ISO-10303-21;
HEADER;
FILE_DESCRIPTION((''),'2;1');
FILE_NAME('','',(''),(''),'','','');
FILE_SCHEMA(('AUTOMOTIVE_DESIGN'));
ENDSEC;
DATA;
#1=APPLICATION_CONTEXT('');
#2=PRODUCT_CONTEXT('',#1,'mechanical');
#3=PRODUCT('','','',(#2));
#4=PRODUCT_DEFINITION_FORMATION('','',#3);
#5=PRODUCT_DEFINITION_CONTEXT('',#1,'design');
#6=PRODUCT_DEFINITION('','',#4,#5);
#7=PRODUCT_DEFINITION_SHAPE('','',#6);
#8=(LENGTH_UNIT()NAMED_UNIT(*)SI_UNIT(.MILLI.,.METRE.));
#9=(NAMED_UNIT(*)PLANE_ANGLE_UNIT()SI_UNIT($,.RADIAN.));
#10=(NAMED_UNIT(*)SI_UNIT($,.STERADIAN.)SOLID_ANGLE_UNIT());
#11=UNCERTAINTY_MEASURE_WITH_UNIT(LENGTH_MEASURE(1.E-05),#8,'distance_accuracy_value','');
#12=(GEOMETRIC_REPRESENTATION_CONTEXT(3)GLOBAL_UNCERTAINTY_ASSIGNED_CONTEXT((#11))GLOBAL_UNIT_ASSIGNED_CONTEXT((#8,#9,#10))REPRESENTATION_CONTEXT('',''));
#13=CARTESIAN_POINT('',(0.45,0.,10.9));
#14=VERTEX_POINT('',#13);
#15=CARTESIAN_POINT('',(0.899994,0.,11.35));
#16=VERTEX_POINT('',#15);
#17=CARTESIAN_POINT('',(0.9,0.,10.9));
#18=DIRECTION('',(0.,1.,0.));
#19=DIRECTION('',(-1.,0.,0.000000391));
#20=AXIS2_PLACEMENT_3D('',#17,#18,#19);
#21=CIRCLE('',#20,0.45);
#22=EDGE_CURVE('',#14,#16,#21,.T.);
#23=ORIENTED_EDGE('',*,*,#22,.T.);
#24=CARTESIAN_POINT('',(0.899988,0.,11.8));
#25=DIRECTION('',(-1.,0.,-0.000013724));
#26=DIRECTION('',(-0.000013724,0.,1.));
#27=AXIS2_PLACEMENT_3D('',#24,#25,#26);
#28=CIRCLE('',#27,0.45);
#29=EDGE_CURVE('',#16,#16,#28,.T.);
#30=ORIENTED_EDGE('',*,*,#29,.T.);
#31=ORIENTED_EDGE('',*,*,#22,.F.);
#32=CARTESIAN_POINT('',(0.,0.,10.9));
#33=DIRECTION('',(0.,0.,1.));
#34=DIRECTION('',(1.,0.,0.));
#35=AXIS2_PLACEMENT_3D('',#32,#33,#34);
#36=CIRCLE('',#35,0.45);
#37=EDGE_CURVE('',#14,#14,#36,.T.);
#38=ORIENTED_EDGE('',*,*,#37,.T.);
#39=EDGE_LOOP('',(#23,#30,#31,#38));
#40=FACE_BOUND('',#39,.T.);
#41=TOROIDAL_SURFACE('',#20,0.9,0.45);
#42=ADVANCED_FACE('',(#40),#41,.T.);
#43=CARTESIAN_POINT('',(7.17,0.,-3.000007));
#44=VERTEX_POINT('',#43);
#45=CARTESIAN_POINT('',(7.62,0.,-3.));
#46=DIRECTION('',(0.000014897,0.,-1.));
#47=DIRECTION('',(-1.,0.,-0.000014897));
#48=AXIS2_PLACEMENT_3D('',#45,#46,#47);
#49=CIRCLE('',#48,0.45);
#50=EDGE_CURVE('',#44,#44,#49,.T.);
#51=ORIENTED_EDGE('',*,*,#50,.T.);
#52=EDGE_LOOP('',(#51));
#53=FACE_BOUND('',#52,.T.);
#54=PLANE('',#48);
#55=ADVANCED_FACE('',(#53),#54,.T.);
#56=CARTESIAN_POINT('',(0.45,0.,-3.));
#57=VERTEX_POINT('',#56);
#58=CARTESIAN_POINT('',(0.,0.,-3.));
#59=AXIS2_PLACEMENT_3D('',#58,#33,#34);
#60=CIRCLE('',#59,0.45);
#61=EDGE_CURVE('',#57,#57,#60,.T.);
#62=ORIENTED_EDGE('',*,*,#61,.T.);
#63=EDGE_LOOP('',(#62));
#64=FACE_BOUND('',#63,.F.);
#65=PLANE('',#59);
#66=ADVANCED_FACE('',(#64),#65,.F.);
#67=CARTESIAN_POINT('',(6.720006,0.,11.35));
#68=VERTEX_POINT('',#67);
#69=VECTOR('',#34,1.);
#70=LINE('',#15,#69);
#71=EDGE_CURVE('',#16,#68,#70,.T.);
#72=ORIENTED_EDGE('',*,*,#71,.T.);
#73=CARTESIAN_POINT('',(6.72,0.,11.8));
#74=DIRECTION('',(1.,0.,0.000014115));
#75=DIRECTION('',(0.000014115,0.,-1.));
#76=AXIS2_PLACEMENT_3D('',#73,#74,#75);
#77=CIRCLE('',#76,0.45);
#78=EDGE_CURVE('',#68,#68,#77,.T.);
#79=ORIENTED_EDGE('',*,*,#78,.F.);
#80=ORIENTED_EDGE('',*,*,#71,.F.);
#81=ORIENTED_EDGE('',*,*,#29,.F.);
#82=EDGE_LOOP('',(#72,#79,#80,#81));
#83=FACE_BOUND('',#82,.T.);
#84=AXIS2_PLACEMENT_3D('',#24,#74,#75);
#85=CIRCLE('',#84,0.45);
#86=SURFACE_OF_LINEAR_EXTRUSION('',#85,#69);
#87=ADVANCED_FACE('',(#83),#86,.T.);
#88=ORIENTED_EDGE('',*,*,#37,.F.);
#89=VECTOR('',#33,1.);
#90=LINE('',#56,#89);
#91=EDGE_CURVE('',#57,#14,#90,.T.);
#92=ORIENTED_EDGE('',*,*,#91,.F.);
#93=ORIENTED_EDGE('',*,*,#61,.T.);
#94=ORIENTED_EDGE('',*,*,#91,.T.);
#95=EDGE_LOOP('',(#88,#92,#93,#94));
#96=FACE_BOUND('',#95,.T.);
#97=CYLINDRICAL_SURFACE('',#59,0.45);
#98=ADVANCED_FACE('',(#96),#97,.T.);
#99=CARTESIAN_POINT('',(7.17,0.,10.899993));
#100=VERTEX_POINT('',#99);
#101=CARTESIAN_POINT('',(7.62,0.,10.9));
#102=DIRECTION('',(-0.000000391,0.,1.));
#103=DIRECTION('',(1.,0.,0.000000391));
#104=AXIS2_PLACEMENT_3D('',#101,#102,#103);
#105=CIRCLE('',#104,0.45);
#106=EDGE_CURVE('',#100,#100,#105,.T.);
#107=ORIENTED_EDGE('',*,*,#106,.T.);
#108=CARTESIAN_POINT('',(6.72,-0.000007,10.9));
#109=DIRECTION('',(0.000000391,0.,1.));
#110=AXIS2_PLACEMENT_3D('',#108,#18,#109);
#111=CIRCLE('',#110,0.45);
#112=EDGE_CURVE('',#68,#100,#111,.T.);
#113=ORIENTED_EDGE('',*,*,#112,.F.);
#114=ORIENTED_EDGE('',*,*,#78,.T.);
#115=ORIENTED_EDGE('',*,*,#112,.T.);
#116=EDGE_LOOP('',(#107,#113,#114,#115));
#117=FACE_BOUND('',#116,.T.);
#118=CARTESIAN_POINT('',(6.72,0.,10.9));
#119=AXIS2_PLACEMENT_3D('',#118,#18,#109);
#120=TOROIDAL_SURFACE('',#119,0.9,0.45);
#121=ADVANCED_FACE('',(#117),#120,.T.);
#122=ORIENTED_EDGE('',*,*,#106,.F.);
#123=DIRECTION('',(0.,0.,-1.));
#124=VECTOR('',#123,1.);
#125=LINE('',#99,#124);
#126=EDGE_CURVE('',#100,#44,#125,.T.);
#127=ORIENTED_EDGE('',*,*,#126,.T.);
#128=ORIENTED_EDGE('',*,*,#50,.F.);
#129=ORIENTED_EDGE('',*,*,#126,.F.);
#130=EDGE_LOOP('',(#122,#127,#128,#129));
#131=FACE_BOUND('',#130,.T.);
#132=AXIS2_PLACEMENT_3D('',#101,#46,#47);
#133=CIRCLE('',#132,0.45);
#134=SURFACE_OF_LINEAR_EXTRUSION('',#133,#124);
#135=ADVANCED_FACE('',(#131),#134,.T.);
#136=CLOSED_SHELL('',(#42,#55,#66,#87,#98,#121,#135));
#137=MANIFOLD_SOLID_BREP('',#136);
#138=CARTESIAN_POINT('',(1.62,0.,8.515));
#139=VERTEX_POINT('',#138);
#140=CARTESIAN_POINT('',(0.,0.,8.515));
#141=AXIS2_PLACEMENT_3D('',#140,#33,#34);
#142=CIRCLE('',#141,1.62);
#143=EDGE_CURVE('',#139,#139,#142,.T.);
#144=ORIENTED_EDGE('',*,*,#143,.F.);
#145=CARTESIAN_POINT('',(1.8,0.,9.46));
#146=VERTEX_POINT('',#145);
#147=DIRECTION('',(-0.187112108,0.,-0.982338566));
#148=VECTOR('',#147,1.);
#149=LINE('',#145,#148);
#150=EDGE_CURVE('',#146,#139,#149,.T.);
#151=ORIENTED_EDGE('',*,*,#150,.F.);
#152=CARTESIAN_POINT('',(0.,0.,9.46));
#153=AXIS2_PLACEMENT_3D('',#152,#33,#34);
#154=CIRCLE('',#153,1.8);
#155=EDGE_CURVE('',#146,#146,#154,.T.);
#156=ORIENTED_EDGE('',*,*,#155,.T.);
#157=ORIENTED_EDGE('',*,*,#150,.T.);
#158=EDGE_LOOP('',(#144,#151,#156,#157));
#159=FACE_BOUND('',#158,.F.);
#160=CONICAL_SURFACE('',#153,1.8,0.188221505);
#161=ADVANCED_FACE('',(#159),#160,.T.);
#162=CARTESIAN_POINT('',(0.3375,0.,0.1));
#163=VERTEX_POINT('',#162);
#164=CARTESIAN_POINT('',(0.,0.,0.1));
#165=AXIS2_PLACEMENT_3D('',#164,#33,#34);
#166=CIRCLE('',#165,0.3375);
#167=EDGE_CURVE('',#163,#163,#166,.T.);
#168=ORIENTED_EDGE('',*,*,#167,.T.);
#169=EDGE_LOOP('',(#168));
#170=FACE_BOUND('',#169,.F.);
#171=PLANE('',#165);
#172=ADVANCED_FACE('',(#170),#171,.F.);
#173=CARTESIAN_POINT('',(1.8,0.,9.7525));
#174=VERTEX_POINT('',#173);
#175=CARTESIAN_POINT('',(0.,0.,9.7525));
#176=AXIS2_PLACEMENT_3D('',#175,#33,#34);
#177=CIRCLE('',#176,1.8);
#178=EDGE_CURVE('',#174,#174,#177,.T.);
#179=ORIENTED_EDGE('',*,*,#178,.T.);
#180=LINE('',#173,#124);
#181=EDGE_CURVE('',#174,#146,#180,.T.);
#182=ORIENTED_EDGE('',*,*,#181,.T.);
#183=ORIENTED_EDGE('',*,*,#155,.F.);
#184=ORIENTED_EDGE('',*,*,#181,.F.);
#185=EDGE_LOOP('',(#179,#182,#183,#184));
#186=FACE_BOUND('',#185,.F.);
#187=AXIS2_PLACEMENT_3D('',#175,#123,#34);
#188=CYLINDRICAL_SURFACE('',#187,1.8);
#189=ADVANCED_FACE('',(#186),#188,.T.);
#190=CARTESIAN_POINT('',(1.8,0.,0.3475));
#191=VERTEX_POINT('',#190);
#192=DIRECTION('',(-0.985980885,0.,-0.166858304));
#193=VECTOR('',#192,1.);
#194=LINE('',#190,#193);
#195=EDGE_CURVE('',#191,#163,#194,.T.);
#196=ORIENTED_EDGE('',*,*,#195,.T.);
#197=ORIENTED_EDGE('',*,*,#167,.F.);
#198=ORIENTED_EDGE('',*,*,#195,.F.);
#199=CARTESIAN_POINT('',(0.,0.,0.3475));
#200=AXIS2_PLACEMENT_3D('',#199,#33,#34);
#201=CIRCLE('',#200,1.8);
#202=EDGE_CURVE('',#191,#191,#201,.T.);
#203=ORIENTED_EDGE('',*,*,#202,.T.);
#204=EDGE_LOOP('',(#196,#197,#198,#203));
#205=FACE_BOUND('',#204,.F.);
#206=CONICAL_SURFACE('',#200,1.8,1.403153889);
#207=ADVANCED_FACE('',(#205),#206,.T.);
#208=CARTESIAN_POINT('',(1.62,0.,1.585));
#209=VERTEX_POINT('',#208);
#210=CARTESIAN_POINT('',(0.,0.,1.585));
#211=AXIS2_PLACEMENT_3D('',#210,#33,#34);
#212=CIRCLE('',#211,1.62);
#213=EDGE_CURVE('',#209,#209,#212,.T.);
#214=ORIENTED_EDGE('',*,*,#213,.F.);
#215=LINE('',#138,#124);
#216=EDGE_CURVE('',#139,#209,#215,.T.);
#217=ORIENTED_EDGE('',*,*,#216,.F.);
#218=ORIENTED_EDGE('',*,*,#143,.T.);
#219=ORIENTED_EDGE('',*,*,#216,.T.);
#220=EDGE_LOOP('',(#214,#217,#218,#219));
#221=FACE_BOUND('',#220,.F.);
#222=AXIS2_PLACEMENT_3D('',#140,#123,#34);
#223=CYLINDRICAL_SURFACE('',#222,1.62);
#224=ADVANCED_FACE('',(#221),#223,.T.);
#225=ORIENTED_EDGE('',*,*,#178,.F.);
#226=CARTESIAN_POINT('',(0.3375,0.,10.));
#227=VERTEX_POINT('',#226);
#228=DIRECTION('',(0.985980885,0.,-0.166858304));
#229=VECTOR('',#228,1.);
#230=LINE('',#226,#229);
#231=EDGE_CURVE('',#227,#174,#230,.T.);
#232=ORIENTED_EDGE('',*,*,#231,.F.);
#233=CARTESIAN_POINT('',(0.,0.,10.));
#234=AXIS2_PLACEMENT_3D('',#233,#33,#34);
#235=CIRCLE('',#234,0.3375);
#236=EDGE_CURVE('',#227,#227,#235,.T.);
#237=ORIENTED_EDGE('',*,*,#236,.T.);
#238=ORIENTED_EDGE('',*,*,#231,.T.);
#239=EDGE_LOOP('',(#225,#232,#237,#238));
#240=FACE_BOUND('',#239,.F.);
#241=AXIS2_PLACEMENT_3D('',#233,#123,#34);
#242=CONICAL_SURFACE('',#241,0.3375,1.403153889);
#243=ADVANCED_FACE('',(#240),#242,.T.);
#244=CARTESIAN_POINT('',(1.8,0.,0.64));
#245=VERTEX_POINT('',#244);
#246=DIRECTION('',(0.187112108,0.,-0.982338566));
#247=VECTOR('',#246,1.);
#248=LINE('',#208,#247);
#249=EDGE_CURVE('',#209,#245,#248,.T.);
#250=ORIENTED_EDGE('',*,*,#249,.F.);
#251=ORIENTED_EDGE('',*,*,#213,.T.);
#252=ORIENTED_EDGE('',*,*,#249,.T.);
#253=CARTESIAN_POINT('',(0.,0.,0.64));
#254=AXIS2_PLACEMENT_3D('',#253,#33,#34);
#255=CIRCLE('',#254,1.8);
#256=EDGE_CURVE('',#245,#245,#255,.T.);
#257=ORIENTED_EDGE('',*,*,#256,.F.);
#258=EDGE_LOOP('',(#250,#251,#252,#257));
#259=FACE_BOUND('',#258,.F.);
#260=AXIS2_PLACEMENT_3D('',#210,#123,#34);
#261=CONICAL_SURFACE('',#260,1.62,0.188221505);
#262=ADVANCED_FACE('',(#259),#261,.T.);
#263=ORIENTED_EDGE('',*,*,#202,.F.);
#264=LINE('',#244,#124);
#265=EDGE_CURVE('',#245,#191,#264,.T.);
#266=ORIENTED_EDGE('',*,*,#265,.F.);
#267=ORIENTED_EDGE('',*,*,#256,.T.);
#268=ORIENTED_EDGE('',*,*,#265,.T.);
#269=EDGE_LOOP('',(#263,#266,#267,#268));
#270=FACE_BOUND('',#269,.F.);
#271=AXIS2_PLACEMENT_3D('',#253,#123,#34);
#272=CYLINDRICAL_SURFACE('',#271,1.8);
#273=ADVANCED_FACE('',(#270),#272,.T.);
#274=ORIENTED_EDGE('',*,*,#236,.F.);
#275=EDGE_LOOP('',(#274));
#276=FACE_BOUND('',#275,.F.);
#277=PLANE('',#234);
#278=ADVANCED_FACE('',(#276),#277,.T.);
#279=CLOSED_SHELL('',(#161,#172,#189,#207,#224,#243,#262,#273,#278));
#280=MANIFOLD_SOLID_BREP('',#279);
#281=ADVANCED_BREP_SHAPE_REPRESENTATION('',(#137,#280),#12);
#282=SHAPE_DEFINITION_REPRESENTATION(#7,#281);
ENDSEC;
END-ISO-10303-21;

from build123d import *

# Parameters (mm, degrees)
SKETCH_R = 0.45


with BuildPart() as sweep_body:
    # Sweep: sweep along a path in Sketch001
    with BuildLine(Plane.XZ) as sweep_path:
        Line((0, -3), (0, 10.9))
        ThreePointArc((0, 10.9), (0.2636, 11.536392), (0.899988, 11.8))
        Line((0.899988, 11.8), (6.72, 11.8))
        ThreePointArc((6.72, 11.8), (7.356396, 11.536396), (7.62, 10.9))
        Line((7.62, 10.9), (7.62, -3))
    # Sketch → Sweep (sweep)
    with BuildSketch(Plane.XY.offset(-2)):
        Circle(SKETCH_R)
    sweep(path=sweep_path.line)


with BuildPart() as revolution:
    # Sketch002 → Revolution (revolve)
    with BuildSketch(Plane.XZ):
        Polygon((0, 0.1), (0, 10), (0.3375, 10), (1.8, 9.7525), (1.8, 9.46), (1.62, 8.515), (1.62, 1.585), (1.8, 0.64), (1.8, 0.3475), (0.3375, 0.1), align=None)
    revolve(axis=Axis((0, 0, 0), (0, 0, 1)))


solid = Compound([sweep_body.part, revolution.part])
